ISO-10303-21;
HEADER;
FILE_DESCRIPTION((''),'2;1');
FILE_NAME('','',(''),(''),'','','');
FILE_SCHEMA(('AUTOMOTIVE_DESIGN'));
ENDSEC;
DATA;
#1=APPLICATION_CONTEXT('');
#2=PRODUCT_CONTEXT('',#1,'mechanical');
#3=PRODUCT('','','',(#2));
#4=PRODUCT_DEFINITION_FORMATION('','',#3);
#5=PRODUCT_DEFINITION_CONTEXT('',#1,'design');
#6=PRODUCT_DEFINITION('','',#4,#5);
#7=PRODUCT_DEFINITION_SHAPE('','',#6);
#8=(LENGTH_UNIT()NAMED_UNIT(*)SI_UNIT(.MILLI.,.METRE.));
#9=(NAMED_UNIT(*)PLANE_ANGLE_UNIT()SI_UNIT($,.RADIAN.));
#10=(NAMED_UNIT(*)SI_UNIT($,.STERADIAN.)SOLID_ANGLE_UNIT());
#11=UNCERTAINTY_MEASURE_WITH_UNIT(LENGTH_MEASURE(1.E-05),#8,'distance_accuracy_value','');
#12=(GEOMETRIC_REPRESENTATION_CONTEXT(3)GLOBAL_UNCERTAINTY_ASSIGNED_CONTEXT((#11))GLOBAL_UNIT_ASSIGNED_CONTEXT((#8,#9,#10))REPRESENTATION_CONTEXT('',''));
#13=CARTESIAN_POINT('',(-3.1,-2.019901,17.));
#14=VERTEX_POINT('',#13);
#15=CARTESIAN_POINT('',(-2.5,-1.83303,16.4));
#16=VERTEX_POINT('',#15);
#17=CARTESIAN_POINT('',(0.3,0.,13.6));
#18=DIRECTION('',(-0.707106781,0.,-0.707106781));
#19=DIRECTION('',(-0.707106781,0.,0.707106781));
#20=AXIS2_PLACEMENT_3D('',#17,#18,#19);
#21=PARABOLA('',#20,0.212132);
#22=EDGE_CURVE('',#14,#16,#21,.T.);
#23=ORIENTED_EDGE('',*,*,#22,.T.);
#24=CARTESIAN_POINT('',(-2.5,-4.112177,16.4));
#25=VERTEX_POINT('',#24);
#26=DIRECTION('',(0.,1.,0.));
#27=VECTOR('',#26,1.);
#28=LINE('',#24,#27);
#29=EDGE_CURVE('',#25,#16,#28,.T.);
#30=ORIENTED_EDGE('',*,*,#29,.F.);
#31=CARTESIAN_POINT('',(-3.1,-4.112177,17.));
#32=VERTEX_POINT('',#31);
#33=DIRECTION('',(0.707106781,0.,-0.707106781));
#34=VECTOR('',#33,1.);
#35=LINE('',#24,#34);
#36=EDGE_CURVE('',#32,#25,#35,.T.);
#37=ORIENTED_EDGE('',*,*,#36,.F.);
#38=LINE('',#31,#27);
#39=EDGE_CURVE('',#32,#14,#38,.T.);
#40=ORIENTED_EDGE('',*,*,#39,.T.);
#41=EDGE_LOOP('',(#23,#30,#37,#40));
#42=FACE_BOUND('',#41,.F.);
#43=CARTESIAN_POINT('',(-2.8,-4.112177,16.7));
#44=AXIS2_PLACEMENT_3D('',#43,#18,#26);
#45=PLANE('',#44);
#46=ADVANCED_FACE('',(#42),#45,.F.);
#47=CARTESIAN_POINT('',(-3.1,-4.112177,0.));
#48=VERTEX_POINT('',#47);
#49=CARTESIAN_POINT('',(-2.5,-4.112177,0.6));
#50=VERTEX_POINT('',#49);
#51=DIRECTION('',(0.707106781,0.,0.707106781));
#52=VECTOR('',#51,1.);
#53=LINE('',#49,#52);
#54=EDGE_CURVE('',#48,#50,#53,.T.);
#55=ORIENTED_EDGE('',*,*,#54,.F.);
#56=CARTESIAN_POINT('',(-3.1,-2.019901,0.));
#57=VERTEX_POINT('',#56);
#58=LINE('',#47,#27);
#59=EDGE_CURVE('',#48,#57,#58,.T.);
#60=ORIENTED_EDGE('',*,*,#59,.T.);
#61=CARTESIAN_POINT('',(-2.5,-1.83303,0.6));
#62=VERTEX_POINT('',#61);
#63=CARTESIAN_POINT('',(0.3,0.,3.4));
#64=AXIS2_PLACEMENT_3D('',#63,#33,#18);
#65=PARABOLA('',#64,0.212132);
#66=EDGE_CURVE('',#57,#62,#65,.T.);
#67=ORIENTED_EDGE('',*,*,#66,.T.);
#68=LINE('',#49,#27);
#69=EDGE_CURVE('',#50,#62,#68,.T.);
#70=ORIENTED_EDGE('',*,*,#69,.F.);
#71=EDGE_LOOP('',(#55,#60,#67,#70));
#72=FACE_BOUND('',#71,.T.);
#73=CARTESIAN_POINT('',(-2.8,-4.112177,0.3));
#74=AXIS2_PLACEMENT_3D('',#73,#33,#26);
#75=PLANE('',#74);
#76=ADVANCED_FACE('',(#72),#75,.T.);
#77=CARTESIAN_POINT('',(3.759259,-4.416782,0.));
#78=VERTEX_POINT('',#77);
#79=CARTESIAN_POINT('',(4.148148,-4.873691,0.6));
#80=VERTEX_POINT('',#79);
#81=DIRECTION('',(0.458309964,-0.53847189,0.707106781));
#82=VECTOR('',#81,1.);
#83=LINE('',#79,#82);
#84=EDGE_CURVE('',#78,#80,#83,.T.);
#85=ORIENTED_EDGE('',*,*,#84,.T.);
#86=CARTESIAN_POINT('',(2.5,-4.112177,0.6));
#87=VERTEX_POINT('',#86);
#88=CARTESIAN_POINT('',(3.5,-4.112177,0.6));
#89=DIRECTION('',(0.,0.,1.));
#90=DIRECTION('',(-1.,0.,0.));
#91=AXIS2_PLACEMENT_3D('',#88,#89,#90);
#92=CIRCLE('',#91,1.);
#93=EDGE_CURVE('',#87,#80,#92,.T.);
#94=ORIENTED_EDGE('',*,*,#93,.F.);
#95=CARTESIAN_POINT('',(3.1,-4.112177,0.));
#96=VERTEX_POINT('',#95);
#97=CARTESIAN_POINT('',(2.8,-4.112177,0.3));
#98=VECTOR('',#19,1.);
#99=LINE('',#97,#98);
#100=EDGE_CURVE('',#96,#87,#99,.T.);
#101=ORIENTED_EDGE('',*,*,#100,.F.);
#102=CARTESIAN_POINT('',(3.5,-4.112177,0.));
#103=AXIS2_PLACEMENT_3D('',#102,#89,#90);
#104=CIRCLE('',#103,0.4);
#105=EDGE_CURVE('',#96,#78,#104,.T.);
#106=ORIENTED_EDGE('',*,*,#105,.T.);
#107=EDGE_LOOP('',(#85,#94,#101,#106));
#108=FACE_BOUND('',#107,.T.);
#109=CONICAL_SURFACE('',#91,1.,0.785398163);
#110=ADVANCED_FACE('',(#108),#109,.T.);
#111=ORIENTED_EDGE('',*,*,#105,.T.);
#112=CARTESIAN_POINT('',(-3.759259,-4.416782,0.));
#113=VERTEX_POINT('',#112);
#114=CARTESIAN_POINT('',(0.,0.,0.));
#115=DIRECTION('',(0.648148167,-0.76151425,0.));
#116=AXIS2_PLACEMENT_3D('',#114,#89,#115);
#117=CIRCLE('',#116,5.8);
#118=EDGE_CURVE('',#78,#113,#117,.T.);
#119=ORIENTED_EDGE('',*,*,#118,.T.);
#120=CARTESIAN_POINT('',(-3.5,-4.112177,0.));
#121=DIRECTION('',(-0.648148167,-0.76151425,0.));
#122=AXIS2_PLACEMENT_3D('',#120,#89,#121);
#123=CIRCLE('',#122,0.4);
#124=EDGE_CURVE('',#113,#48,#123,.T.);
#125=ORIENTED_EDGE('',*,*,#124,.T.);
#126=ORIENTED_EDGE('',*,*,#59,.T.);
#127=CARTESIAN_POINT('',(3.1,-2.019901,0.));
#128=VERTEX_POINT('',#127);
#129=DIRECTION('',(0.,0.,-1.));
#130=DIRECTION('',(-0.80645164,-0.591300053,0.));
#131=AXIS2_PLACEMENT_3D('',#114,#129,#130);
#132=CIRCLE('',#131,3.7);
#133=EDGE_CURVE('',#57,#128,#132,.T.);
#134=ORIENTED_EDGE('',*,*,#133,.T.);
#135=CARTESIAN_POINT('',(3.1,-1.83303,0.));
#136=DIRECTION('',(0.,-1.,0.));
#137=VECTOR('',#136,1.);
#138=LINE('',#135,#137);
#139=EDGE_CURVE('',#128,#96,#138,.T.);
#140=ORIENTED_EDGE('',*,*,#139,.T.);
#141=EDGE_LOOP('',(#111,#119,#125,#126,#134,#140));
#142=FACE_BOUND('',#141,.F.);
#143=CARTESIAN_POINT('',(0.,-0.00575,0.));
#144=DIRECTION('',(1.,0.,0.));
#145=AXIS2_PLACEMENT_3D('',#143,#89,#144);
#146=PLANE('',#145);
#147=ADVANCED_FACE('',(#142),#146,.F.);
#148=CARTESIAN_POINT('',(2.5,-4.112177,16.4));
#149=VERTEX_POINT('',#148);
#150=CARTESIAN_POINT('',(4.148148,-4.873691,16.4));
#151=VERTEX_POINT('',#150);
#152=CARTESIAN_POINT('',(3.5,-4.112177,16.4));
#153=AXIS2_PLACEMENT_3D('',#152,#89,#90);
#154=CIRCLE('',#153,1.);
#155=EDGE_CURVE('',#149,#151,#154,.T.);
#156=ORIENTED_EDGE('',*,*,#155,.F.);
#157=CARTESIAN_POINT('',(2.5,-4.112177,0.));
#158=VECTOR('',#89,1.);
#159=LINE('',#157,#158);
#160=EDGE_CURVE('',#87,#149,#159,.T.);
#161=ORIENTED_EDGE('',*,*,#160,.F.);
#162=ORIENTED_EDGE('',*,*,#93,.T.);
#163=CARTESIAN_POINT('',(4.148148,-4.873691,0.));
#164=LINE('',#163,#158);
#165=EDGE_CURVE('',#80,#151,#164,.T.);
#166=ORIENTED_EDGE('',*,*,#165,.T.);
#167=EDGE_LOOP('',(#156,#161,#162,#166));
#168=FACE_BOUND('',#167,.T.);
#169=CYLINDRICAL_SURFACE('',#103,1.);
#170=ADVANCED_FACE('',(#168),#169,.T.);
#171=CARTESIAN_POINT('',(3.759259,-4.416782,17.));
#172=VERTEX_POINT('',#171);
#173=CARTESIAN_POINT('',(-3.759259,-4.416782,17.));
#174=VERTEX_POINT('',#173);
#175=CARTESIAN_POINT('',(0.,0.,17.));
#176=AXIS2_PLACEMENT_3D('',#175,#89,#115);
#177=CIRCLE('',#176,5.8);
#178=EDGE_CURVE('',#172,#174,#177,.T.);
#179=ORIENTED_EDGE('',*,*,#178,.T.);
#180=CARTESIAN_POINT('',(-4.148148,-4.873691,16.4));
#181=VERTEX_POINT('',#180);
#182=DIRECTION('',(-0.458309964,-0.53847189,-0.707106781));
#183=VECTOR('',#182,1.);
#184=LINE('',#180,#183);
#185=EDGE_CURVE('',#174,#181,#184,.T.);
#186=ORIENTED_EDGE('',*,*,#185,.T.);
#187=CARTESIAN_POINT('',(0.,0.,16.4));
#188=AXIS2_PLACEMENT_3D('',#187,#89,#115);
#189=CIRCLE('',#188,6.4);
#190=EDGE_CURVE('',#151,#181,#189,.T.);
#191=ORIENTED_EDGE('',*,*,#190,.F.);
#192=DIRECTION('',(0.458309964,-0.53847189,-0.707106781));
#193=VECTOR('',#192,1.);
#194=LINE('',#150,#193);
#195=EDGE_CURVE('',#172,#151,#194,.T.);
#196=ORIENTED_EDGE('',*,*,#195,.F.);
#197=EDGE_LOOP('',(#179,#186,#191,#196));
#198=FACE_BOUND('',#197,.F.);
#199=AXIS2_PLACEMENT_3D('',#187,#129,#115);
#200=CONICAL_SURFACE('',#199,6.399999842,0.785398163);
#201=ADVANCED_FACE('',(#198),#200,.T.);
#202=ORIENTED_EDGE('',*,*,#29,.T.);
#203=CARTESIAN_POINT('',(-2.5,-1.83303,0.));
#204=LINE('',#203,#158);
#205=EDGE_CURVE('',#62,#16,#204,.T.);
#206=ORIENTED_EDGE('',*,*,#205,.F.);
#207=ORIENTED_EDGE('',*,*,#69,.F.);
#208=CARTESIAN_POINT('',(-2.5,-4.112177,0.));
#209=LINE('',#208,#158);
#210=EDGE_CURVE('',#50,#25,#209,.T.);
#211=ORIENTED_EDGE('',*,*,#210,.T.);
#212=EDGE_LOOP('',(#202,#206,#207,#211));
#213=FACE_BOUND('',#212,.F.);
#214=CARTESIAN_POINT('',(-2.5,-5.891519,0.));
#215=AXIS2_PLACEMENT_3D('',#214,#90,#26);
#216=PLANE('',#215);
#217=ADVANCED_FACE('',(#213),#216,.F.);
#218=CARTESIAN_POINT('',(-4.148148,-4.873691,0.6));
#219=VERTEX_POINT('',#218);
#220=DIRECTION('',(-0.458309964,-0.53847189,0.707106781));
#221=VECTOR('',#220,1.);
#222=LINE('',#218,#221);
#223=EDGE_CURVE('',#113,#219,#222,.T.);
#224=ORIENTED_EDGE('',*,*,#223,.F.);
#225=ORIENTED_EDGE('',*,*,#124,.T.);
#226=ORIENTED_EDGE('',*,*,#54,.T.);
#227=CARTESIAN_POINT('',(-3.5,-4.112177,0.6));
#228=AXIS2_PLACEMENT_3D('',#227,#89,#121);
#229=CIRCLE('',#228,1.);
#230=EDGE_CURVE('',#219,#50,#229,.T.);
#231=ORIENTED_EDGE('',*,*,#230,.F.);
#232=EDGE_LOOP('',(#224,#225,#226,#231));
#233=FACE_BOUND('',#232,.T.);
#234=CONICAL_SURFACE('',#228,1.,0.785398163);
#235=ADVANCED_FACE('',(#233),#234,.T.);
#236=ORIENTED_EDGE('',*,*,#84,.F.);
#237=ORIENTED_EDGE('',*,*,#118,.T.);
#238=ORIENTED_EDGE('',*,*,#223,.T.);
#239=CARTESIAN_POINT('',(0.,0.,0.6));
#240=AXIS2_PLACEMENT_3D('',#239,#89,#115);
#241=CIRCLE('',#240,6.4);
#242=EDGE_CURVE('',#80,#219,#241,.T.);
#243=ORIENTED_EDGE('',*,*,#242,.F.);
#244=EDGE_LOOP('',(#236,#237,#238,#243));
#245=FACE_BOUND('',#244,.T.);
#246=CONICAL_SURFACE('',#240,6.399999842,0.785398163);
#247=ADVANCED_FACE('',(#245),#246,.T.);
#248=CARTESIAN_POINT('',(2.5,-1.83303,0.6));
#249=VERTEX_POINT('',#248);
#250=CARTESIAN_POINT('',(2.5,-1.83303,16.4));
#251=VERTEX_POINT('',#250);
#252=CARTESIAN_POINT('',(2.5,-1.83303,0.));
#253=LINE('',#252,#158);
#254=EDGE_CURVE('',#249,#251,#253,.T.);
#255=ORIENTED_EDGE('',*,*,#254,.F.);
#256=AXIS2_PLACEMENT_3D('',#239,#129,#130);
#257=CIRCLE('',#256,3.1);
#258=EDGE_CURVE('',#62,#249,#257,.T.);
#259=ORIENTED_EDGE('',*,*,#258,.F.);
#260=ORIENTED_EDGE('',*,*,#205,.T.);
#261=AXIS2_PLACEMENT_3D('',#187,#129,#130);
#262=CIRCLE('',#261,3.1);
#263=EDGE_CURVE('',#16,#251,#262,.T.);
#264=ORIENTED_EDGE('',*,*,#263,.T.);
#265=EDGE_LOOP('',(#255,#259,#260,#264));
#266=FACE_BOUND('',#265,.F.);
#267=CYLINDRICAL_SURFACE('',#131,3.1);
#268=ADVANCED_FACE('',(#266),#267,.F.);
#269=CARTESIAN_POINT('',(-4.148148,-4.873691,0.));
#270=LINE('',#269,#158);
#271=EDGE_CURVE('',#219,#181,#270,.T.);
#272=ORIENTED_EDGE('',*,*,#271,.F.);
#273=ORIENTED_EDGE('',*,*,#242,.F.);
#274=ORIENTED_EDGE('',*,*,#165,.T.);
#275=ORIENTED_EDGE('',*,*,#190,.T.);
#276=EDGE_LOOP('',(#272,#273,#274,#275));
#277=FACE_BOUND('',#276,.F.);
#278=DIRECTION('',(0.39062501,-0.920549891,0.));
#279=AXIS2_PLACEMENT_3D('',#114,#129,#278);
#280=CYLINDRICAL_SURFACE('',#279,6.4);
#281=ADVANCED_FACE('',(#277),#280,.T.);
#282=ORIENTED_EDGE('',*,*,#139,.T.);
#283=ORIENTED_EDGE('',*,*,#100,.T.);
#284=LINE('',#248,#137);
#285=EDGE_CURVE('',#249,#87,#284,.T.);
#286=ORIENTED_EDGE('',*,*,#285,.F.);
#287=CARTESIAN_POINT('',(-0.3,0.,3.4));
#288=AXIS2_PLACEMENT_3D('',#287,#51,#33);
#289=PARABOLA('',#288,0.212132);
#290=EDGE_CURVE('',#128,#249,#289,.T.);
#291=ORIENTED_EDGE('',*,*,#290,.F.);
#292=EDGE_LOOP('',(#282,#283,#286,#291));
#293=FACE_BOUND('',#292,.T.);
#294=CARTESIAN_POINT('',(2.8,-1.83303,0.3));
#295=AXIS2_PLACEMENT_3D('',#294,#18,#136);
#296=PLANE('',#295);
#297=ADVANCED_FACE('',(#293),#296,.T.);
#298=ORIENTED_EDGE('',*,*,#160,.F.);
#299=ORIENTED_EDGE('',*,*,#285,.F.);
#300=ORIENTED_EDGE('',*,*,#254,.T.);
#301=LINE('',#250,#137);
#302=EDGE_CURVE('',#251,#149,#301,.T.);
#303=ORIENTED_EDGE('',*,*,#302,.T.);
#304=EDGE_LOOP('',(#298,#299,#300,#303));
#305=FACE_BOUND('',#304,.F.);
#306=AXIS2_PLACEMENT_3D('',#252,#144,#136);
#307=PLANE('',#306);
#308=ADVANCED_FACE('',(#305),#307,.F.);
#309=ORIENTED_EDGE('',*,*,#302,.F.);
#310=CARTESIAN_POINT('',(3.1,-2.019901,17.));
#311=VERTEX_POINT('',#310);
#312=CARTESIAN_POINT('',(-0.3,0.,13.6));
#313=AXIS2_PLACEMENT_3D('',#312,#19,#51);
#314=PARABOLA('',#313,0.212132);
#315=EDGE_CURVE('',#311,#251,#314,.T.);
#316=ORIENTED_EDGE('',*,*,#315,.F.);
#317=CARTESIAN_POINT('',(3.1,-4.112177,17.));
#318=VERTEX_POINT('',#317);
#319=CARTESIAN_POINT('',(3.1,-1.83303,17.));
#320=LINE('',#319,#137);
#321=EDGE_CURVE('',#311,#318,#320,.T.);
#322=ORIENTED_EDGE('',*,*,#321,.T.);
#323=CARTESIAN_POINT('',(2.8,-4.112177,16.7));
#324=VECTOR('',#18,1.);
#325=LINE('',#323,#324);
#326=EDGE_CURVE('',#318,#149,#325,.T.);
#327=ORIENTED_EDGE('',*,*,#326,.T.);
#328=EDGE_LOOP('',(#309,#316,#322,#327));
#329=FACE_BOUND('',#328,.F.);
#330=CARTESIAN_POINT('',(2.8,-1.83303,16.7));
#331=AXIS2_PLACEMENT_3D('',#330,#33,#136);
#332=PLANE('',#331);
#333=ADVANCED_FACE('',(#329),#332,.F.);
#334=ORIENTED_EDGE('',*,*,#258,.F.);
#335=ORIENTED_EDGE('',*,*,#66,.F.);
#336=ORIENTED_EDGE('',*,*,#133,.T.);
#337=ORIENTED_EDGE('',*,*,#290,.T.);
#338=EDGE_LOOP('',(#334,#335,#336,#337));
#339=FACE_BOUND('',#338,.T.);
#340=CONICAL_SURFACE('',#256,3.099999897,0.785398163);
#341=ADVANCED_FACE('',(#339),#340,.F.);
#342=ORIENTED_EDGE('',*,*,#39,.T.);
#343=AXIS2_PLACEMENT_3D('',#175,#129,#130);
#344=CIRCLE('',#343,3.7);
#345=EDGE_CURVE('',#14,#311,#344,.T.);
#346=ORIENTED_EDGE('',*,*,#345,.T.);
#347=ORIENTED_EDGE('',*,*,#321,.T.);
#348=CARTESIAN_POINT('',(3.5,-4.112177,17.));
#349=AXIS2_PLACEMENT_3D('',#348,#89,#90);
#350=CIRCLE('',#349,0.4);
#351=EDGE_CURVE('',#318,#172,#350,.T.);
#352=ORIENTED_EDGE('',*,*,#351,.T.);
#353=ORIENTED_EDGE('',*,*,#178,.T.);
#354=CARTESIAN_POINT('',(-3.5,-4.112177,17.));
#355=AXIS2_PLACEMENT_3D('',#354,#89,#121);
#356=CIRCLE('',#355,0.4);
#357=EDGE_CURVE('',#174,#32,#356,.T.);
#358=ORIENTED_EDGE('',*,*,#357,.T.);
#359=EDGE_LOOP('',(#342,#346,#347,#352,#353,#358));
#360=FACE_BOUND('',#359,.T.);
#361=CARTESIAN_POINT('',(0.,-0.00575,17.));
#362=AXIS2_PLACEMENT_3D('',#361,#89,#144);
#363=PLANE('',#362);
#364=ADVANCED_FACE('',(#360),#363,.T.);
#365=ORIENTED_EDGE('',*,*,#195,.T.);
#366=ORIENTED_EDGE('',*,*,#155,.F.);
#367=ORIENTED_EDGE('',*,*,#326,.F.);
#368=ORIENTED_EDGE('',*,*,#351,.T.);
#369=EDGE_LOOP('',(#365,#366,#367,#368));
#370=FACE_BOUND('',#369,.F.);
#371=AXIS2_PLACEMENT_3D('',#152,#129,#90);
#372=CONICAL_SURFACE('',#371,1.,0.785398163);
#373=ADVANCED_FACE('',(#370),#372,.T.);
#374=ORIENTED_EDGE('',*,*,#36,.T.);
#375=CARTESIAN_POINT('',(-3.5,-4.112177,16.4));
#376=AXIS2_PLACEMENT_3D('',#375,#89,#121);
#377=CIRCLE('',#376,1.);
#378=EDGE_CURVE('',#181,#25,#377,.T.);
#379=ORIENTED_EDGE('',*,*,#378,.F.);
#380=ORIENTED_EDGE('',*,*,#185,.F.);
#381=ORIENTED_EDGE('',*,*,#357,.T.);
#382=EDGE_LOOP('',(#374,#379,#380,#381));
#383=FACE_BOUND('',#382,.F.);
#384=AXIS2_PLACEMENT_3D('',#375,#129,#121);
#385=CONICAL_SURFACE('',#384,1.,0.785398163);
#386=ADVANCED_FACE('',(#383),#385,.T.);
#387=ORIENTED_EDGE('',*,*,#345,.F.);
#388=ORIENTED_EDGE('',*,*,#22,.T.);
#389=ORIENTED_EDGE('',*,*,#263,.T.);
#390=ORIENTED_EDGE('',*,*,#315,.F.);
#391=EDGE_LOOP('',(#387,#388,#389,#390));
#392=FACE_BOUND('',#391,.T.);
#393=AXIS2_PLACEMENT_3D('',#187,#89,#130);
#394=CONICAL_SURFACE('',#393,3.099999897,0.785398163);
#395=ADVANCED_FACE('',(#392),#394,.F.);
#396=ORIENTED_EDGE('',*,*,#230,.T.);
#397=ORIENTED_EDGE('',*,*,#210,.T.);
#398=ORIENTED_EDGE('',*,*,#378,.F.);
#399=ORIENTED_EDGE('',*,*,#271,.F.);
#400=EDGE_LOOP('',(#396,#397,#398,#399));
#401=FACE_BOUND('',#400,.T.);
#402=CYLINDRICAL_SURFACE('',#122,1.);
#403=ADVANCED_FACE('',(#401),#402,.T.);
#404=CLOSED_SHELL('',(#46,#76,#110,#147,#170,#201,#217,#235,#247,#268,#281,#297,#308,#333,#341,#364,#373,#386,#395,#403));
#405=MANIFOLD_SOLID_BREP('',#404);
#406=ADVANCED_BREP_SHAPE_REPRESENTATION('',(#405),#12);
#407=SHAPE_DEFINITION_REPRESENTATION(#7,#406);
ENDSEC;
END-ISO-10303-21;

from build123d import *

# Parameters (mm, degrees)
F1_DEPTH = 17
F2_R     = 1
F3_SIZE  = 0.6


with BuildPart() as f1:
    # F0 (on Top) → F1 (new body)
    with BuildSketch(Plane.XY):
        with BuildLine():
            ThreePointArc((-2.5, -1.83303), (0, 3.1), (2.5, -1.83303))
            Line((2.5, -1.83303), (2.5, -5.891519))
            ThreePointArc((2.5, -5.891519), (0, 6.4), (-2.5, -5.891519))
            Line((-2.5, -5.891519), (-2.5, -1.83303))
        make_face()
    extrude(amount=F1_DEPTH)

    # F2
    f2_edges = [f1.edges().sort_by_distance(p)[0] for p in [
        (-2.5, -5.891519, 8.5),
        (2.5, -5.891519, 8.5),
    ]]
    fillet(f2_edges, radius=F2_R)

    # F3
    f3_edges = [f1.edges().sort_by_distance(p)[0] for p in [
        (-2.5, -2.972604, 17),
        (-3.080565, -5.019962, 17),
        (0, 3.1, 17),
        (0, 6.4, 17),
        (2.5, -2.972604, 17),
        (3.080565, -5.019962, 17),
        (-2.5, -2.972604, 0),
        (-3.080565, -5.019962, 0),
        (0, 3.1, 0),
        (0, 6.4, 0),
        (2.5, -2.972604, 0),
        (3.080565, -5.019962, 0),
    ]]
    chamfer(f3_edges, length=F3_SIZE)


solid = f1.part
